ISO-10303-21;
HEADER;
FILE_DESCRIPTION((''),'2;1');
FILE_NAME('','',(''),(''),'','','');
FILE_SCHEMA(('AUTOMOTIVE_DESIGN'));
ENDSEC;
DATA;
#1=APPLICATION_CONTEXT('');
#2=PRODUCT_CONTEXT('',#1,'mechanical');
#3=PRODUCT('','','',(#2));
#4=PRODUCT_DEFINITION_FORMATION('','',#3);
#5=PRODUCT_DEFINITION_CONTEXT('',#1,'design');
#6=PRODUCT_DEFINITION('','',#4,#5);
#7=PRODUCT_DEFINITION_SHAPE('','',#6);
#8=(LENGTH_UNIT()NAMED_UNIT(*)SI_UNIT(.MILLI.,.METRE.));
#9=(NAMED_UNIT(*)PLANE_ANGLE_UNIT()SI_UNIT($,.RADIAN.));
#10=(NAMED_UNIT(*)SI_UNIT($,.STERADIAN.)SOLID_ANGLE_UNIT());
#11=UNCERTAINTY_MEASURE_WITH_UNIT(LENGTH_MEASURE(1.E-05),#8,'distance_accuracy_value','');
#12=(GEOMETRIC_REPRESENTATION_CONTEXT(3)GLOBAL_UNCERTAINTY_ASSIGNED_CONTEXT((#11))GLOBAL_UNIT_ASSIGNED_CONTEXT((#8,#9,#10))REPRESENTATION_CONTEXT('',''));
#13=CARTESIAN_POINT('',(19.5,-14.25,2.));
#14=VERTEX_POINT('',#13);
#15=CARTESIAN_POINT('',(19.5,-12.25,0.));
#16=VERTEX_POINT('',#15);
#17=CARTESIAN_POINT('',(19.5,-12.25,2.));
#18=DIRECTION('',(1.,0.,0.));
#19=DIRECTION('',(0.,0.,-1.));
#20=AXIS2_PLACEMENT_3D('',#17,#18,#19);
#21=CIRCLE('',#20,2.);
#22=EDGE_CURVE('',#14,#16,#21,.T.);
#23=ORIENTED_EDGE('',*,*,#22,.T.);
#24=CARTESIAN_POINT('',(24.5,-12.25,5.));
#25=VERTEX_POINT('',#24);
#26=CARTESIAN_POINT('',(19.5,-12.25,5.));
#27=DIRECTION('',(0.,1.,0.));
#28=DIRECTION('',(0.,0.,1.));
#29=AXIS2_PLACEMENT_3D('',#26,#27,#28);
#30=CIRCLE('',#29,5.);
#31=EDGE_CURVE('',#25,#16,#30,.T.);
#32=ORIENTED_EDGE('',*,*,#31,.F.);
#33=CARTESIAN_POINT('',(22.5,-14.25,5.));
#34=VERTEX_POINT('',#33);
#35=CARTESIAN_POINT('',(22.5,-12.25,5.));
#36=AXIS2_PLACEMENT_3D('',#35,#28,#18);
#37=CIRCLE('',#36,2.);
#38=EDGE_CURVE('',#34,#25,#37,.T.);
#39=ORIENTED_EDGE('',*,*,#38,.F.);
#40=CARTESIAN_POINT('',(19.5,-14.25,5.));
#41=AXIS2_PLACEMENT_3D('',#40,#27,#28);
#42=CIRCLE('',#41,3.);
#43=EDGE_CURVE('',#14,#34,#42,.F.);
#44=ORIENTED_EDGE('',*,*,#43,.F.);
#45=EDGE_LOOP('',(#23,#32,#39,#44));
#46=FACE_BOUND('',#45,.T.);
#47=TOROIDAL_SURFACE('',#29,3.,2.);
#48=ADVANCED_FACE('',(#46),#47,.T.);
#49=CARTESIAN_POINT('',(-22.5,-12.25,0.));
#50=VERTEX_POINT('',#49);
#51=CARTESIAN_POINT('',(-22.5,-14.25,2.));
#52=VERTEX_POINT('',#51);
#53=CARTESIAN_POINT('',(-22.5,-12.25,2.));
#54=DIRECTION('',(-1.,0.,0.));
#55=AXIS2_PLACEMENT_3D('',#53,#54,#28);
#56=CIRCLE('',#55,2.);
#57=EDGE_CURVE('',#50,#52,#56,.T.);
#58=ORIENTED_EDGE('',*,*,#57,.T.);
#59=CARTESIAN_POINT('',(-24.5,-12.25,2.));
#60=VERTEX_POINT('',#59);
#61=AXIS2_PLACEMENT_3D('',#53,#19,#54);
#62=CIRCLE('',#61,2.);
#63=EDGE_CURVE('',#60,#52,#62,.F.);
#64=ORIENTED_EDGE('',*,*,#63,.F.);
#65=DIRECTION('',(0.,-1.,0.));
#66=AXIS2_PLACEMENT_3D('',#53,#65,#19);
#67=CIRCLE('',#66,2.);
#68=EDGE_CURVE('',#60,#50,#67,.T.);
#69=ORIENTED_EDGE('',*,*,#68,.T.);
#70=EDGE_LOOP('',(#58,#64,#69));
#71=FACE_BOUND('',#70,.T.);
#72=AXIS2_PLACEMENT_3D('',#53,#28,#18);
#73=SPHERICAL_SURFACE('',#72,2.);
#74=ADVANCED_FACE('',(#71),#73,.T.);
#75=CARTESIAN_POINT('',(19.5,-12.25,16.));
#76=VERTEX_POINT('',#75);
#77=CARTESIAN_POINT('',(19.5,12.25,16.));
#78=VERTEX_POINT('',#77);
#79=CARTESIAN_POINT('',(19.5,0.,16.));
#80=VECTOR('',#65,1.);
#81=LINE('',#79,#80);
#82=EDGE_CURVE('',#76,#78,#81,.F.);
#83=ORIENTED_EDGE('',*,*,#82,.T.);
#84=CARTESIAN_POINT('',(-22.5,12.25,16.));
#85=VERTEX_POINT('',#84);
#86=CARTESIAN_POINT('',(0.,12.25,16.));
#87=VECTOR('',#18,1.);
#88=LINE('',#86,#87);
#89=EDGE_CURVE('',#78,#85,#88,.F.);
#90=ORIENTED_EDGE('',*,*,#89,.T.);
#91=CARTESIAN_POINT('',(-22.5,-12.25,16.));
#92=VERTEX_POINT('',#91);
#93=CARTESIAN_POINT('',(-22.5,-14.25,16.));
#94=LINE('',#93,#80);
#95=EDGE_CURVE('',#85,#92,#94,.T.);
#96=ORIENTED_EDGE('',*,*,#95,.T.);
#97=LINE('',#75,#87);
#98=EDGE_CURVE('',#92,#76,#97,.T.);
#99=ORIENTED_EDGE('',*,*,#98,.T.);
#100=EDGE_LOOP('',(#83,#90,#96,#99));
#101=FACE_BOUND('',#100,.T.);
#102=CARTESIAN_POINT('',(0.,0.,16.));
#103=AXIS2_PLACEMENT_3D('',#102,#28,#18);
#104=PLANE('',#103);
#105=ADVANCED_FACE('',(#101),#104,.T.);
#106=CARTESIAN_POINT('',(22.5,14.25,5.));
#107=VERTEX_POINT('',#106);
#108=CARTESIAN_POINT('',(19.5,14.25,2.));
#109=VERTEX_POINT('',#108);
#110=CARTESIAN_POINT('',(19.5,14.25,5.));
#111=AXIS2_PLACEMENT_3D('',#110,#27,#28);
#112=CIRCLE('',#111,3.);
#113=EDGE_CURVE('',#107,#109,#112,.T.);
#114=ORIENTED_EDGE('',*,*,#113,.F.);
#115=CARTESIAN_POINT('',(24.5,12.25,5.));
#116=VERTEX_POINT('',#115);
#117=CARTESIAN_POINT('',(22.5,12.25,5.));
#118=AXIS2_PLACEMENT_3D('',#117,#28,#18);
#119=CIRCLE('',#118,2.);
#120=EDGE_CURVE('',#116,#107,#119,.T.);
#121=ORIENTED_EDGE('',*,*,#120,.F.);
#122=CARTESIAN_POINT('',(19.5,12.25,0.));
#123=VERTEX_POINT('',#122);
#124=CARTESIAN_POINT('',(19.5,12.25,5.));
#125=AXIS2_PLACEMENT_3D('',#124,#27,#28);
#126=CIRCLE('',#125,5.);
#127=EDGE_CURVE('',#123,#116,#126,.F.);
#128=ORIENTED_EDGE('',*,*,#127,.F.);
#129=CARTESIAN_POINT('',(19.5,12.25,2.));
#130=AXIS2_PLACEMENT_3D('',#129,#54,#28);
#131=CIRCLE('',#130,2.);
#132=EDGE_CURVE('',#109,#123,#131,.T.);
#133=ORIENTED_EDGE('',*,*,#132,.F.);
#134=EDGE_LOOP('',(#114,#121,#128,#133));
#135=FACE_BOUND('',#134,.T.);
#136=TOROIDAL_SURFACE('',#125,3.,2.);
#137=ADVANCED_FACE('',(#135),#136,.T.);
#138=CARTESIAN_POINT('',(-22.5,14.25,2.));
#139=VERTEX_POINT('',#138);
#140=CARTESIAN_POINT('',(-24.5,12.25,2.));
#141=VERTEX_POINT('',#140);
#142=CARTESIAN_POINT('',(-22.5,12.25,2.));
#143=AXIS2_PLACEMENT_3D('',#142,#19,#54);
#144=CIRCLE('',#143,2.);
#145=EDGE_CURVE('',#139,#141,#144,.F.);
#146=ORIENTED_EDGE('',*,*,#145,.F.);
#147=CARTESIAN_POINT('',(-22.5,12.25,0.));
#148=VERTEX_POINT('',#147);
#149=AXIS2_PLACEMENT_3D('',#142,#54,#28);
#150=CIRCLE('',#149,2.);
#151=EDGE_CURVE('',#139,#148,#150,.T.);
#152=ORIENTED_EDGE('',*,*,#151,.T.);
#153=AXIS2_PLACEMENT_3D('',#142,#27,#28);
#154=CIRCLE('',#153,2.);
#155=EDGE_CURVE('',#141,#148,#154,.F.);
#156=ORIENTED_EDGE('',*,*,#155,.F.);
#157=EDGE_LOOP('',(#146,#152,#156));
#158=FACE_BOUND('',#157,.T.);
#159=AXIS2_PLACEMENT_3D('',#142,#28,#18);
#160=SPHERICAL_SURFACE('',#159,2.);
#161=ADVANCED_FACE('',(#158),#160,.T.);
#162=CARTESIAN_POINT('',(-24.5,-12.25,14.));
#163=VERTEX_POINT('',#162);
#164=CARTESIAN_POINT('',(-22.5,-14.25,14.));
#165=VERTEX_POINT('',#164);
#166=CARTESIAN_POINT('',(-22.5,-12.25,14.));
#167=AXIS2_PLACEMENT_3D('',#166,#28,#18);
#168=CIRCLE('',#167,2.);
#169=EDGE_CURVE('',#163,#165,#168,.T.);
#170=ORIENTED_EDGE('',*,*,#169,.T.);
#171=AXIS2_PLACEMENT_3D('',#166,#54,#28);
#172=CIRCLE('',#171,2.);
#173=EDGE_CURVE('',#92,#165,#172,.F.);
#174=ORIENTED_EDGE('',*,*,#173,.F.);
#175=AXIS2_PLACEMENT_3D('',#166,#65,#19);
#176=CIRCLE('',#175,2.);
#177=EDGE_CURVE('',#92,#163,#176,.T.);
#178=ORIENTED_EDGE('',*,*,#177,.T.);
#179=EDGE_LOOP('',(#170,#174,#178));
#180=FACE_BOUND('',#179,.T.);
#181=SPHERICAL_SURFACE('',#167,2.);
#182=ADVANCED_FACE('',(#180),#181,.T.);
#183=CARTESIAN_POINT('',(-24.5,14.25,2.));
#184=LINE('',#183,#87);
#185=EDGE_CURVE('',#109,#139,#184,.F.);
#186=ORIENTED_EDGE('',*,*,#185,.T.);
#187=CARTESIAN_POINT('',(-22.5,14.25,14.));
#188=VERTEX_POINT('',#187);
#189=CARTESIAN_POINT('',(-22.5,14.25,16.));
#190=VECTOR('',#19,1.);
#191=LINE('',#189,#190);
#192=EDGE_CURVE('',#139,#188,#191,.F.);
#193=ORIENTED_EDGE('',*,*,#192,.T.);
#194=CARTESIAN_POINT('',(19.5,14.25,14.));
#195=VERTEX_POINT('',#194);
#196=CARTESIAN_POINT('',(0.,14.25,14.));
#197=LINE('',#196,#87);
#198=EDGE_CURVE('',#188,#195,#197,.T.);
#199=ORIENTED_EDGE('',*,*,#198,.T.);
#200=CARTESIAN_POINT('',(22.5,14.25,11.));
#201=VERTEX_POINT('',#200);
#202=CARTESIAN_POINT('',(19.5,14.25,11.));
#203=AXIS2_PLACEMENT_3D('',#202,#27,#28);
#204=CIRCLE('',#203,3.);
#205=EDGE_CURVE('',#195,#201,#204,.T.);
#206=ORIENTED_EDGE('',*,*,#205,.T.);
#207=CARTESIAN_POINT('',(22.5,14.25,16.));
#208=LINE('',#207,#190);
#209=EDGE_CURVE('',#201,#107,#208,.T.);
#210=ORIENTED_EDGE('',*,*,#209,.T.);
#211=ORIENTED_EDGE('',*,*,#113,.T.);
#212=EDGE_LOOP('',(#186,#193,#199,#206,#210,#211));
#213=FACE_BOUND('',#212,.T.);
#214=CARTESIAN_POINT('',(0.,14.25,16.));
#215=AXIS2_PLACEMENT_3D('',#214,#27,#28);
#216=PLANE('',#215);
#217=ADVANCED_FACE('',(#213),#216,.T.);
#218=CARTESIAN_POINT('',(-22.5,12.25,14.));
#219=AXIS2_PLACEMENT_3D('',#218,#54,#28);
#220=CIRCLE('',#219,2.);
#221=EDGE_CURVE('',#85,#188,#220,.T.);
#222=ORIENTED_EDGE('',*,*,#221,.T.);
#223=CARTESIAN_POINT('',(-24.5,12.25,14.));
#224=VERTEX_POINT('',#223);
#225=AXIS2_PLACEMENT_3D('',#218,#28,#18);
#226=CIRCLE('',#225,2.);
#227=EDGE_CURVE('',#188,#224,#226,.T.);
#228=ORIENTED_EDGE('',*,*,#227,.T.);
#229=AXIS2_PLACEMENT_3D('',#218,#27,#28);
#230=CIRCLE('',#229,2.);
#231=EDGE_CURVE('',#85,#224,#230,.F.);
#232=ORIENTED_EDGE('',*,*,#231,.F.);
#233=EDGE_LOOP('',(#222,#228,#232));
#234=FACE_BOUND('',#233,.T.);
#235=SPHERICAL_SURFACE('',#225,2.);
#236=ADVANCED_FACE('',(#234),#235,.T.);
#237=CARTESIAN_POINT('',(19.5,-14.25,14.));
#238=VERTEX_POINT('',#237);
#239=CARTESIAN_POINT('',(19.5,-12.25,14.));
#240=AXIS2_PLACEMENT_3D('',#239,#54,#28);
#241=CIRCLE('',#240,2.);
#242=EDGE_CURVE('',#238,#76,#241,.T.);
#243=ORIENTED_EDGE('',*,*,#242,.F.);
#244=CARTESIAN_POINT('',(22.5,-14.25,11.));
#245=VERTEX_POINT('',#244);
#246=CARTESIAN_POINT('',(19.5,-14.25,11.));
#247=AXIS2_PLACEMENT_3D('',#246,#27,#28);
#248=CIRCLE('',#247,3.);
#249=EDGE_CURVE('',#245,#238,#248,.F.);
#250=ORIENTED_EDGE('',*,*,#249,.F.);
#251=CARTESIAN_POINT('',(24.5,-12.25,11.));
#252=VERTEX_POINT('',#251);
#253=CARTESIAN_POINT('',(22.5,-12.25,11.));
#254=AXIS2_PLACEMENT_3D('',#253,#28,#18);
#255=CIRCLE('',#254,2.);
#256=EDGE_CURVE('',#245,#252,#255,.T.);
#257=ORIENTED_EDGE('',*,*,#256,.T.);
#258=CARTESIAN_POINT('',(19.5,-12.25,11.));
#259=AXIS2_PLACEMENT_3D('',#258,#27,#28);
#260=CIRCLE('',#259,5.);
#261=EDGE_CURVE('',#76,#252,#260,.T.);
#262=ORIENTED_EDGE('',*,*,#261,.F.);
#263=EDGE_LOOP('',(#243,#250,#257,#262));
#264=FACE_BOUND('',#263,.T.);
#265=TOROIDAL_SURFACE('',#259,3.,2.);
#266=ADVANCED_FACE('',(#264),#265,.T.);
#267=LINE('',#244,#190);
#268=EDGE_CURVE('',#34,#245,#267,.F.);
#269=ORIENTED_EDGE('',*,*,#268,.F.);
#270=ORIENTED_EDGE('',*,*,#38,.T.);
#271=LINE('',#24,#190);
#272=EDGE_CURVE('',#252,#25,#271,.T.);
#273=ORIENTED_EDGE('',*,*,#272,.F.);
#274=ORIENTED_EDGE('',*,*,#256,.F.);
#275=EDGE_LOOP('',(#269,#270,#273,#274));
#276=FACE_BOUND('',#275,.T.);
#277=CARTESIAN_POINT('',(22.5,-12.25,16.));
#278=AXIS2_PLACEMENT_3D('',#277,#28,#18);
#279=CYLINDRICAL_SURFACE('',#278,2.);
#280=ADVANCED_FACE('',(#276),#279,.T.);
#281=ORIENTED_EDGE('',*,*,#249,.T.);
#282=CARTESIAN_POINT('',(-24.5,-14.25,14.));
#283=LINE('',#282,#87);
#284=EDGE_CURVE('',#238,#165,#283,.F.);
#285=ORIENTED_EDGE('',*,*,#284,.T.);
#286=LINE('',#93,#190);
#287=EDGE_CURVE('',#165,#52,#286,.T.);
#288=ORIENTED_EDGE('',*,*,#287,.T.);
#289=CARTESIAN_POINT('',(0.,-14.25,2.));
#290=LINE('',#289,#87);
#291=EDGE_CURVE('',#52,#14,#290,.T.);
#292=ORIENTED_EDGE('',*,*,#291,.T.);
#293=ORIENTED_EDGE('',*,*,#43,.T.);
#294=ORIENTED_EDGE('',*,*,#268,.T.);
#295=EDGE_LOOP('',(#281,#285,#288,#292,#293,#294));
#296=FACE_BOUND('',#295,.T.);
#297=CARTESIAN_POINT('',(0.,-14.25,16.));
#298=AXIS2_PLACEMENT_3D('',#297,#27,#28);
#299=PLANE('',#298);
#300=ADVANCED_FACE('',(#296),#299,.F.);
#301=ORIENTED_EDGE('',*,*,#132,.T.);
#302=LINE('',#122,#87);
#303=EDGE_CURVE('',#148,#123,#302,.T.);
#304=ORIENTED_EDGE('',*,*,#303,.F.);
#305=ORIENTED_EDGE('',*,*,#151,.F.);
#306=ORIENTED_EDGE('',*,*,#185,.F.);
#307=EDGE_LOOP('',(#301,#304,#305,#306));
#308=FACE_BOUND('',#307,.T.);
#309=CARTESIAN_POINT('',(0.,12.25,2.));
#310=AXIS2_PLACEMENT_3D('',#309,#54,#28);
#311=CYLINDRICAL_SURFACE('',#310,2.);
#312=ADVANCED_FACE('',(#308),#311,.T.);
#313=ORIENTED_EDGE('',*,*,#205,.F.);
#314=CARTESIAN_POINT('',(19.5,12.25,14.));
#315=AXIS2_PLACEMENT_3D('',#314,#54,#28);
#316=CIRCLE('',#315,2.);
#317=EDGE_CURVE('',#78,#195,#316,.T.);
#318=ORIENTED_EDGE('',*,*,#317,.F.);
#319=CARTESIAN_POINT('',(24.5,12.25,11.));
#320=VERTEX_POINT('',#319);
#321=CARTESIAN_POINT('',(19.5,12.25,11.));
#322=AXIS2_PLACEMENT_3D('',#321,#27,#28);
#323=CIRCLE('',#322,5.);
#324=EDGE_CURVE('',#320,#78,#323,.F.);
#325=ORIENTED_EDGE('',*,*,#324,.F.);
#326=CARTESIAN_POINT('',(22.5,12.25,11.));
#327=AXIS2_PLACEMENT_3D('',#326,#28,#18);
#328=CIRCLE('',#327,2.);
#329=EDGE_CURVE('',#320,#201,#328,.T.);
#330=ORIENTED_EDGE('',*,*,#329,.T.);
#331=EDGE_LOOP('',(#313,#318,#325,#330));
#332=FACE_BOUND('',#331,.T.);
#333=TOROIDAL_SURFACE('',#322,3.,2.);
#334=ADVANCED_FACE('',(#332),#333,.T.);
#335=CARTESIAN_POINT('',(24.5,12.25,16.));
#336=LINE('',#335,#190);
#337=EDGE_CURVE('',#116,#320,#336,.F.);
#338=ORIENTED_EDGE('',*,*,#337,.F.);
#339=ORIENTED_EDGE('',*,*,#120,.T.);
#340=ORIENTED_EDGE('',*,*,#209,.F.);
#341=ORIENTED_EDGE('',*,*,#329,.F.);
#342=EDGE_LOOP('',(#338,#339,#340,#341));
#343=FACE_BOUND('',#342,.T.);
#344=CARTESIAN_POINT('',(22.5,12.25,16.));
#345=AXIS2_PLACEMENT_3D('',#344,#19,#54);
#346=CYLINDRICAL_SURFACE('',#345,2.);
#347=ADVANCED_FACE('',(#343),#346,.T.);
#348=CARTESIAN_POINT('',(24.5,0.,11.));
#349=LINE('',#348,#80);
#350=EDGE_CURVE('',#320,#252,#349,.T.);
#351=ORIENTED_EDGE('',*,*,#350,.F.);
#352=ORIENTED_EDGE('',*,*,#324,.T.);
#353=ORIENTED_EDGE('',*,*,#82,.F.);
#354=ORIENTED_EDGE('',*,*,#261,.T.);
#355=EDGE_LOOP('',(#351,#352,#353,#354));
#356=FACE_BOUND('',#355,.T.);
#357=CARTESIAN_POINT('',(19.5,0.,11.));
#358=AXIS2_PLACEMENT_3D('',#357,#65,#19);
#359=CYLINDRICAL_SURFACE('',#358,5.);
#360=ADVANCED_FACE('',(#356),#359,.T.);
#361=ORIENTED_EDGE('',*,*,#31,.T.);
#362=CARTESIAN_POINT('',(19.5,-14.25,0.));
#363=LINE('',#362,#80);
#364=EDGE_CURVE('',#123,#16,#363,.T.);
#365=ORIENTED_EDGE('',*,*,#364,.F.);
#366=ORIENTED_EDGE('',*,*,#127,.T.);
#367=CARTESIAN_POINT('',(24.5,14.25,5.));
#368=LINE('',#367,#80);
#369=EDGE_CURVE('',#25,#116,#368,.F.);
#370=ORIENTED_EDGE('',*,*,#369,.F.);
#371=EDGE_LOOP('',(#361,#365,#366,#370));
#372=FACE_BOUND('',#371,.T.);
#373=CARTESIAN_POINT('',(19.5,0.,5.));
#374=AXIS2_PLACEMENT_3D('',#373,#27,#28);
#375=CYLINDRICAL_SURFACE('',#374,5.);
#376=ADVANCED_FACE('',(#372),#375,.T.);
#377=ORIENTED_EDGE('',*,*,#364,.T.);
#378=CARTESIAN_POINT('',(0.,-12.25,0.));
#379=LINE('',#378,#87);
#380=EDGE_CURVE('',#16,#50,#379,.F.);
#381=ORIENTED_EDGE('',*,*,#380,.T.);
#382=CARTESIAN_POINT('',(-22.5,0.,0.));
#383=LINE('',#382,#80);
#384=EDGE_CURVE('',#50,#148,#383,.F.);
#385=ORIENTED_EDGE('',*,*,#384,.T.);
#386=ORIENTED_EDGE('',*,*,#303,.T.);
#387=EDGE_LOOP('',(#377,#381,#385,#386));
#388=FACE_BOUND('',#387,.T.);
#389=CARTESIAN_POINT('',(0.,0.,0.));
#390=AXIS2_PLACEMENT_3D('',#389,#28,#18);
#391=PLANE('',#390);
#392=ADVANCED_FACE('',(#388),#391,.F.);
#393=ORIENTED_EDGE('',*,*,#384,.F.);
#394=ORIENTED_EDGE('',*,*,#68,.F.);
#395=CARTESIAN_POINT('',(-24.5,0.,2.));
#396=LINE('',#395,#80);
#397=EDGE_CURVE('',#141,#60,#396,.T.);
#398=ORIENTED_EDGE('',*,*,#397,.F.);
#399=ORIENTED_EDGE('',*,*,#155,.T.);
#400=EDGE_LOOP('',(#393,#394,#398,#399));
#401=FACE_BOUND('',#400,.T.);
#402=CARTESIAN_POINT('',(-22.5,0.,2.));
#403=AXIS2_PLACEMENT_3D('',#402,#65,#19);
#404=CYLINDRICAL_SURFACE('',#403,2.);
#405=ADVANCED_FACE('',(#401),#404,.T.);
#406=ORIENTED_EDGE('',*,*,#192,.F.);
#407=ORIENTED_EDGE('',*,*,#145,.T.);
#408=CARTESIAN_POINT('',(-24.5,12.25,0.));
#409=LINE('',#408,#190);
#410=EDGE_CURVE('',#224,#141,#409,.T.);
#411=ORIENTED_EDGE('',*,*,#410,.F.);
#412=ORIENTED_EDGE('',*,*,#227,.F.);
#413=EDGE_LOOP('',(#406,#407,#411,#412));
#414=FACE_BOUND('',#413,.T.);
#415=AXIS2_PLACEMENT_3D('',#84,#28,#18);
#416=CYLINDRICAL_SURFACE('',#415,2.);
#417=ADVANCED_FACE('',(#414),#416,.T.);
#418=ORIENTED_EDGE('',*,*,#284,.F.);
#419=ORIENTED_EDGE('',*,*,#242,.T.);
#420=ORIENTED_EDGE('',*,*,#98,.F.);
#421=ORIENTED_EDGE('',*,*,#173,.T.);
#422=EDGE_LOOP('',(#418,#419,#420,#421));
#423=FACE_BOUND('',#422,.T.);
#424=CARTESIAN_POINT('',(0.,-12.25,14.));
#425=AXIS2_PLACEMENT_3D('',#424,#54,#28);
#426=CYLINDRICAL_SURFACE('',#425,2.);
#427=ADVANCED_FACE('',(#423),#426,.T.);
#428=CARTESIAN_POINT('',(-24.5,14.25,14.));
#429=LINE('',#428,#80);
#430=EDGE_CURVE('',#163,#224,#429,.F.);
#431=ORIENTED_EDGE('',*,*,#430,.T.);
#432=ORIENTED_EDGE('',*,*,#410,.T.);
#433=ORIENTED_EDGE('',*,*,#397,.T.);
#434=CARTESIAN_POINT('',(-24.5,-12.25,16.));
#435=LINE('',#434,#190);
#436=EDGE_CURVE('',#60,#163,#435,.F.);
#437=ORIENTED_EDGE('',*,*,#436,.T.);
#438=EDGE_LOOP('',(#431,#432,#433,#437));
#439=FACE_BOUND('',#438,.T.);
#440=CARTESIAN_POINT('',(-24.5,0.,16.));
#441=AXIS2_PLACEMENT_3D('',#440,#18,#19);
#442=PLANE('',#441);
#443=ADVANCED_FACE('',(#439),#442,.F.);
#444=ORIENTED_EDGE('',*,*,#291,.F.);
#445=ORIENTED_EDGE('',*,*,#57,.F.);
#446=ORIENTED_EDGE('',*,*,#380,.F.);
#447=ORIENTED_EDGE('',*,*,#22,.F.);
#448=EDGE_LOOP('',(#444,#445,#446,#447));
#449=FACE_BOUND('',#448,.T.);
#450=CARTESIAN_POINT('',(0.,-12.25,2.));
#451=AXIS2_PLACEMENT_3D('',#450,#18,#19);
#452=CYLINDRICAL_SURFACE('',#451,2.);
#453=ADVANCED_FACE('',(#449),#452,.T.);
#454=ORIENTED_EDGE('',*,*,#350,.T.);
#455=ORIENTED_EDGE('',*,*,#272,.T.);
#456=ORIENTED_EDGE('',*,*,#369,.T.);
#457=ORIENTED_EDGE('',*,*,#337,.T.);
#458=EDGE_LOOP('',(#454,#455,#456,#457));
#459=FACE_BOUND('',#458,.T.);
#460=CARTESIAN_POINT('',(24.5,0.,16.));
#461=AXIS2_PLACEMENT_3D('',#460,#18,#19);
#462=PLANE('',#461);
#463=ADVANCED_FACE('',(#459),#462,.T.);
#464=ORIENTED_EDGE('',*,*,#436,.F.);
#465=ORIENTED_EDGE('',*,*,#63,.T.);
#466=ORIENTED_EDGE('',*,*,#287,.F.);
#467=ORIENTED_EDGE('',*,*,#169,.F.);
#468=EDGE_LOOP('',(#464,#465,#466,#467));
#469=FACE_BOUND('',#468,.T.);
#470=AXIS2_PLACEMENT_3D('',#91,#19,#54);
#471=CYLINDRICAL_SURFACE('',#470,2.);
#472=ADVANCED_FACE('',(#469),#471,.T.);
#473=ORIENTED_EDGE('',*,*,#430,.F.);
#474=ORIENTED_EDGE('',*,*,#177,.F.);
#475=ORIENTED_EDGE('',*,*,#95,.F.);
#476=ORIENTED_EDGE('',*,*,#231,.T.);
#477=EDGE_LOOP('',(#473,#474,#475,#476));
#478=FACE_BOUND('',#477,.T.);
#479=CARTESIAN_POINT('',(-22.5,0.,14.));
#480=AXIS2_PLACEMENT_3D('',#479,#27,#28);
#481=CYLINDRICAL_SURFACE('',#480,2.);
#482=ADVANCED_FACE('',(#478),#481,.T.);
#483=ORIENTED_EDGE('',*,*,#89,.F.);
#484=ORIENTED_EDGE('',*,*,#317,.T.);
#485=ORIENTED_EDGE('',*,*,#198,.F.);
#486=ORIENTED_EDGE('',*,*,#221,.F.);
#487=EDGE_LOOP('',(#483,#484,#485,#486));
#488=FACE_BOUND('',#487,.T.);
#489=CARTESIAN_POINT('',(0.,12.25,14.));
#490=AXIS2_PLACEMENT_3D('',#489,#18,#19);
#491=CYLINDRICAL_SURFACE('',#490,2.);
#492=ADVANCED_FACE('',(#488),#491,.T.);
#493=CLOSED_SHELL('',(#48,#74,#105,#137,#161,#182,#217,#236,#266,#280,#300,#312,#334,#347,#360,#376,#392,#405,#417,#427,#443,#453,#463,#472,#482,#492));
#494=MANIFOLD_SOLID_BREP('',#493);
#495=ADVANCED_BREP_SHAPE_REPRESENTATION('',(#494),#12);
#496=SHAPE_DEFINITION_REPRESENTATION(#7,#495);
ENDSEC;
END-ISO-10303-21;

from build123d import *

# Parameters (mm, degrees)
SKETCH1_W           = 41.5
SKETCH1_H           = 28.5
SKETCH1_W_2         = 7.5
BOSS_EXTRUDE1_DEPTH = 16
FILLET2_R           = 5
FILLET3_R           = 2


with BuildPart() as part:
    # Sketch1 → Boss-Extrude1 (new body)
    with BuildSketch(Plane.XY):
        with Locations((3.75, 0)):
            Rectangle(SKETCH1_W, SKETCH1_H)
        with Locations((-20.75, 0)):
            Rectangle(SKETCH1_W_2, SKETCH1_H)
    extrude(amount=BOSS_EXTRUDE1_DEPTH)

    # Fillet2
    fillet2_edges = [part.edges().sort_by_distance(p)[0] for p in [
        (24.5, 0, 16),
        (24.5, 0, 0),
    ]]
    fillet(fillet2_edges, radius=FILLET2_R)

    # Fillet3
    fillet3_edges = [part.edges().sort_by_distance(p)[0] for p in [
        (-2.5, -14.25, 16),
        (24.5, 14.25, 8),
        (24.5, -14.25, 8),
        (23.035533906, -14.25, 1.464466094),
        (23.035533906, -14.25, 14.535533906),
        (23.035533906, 14.25, 1.464466094),
        (23.035533906, 14.25, 14.535533906),
        (-2.5, 14.25, 16),
        (-2.5, -14.25, 0),
        (-24.5, 0, 0),
        (-2.5, 14.25, 0),
        (-24.5, 0, 16),
        (-24.5, -14.25, 8),
        (-24.5, 14.25, 8),
    ]]
    fillet(fillet3_edges, radius=FILLET3_R)


solid = part.part
